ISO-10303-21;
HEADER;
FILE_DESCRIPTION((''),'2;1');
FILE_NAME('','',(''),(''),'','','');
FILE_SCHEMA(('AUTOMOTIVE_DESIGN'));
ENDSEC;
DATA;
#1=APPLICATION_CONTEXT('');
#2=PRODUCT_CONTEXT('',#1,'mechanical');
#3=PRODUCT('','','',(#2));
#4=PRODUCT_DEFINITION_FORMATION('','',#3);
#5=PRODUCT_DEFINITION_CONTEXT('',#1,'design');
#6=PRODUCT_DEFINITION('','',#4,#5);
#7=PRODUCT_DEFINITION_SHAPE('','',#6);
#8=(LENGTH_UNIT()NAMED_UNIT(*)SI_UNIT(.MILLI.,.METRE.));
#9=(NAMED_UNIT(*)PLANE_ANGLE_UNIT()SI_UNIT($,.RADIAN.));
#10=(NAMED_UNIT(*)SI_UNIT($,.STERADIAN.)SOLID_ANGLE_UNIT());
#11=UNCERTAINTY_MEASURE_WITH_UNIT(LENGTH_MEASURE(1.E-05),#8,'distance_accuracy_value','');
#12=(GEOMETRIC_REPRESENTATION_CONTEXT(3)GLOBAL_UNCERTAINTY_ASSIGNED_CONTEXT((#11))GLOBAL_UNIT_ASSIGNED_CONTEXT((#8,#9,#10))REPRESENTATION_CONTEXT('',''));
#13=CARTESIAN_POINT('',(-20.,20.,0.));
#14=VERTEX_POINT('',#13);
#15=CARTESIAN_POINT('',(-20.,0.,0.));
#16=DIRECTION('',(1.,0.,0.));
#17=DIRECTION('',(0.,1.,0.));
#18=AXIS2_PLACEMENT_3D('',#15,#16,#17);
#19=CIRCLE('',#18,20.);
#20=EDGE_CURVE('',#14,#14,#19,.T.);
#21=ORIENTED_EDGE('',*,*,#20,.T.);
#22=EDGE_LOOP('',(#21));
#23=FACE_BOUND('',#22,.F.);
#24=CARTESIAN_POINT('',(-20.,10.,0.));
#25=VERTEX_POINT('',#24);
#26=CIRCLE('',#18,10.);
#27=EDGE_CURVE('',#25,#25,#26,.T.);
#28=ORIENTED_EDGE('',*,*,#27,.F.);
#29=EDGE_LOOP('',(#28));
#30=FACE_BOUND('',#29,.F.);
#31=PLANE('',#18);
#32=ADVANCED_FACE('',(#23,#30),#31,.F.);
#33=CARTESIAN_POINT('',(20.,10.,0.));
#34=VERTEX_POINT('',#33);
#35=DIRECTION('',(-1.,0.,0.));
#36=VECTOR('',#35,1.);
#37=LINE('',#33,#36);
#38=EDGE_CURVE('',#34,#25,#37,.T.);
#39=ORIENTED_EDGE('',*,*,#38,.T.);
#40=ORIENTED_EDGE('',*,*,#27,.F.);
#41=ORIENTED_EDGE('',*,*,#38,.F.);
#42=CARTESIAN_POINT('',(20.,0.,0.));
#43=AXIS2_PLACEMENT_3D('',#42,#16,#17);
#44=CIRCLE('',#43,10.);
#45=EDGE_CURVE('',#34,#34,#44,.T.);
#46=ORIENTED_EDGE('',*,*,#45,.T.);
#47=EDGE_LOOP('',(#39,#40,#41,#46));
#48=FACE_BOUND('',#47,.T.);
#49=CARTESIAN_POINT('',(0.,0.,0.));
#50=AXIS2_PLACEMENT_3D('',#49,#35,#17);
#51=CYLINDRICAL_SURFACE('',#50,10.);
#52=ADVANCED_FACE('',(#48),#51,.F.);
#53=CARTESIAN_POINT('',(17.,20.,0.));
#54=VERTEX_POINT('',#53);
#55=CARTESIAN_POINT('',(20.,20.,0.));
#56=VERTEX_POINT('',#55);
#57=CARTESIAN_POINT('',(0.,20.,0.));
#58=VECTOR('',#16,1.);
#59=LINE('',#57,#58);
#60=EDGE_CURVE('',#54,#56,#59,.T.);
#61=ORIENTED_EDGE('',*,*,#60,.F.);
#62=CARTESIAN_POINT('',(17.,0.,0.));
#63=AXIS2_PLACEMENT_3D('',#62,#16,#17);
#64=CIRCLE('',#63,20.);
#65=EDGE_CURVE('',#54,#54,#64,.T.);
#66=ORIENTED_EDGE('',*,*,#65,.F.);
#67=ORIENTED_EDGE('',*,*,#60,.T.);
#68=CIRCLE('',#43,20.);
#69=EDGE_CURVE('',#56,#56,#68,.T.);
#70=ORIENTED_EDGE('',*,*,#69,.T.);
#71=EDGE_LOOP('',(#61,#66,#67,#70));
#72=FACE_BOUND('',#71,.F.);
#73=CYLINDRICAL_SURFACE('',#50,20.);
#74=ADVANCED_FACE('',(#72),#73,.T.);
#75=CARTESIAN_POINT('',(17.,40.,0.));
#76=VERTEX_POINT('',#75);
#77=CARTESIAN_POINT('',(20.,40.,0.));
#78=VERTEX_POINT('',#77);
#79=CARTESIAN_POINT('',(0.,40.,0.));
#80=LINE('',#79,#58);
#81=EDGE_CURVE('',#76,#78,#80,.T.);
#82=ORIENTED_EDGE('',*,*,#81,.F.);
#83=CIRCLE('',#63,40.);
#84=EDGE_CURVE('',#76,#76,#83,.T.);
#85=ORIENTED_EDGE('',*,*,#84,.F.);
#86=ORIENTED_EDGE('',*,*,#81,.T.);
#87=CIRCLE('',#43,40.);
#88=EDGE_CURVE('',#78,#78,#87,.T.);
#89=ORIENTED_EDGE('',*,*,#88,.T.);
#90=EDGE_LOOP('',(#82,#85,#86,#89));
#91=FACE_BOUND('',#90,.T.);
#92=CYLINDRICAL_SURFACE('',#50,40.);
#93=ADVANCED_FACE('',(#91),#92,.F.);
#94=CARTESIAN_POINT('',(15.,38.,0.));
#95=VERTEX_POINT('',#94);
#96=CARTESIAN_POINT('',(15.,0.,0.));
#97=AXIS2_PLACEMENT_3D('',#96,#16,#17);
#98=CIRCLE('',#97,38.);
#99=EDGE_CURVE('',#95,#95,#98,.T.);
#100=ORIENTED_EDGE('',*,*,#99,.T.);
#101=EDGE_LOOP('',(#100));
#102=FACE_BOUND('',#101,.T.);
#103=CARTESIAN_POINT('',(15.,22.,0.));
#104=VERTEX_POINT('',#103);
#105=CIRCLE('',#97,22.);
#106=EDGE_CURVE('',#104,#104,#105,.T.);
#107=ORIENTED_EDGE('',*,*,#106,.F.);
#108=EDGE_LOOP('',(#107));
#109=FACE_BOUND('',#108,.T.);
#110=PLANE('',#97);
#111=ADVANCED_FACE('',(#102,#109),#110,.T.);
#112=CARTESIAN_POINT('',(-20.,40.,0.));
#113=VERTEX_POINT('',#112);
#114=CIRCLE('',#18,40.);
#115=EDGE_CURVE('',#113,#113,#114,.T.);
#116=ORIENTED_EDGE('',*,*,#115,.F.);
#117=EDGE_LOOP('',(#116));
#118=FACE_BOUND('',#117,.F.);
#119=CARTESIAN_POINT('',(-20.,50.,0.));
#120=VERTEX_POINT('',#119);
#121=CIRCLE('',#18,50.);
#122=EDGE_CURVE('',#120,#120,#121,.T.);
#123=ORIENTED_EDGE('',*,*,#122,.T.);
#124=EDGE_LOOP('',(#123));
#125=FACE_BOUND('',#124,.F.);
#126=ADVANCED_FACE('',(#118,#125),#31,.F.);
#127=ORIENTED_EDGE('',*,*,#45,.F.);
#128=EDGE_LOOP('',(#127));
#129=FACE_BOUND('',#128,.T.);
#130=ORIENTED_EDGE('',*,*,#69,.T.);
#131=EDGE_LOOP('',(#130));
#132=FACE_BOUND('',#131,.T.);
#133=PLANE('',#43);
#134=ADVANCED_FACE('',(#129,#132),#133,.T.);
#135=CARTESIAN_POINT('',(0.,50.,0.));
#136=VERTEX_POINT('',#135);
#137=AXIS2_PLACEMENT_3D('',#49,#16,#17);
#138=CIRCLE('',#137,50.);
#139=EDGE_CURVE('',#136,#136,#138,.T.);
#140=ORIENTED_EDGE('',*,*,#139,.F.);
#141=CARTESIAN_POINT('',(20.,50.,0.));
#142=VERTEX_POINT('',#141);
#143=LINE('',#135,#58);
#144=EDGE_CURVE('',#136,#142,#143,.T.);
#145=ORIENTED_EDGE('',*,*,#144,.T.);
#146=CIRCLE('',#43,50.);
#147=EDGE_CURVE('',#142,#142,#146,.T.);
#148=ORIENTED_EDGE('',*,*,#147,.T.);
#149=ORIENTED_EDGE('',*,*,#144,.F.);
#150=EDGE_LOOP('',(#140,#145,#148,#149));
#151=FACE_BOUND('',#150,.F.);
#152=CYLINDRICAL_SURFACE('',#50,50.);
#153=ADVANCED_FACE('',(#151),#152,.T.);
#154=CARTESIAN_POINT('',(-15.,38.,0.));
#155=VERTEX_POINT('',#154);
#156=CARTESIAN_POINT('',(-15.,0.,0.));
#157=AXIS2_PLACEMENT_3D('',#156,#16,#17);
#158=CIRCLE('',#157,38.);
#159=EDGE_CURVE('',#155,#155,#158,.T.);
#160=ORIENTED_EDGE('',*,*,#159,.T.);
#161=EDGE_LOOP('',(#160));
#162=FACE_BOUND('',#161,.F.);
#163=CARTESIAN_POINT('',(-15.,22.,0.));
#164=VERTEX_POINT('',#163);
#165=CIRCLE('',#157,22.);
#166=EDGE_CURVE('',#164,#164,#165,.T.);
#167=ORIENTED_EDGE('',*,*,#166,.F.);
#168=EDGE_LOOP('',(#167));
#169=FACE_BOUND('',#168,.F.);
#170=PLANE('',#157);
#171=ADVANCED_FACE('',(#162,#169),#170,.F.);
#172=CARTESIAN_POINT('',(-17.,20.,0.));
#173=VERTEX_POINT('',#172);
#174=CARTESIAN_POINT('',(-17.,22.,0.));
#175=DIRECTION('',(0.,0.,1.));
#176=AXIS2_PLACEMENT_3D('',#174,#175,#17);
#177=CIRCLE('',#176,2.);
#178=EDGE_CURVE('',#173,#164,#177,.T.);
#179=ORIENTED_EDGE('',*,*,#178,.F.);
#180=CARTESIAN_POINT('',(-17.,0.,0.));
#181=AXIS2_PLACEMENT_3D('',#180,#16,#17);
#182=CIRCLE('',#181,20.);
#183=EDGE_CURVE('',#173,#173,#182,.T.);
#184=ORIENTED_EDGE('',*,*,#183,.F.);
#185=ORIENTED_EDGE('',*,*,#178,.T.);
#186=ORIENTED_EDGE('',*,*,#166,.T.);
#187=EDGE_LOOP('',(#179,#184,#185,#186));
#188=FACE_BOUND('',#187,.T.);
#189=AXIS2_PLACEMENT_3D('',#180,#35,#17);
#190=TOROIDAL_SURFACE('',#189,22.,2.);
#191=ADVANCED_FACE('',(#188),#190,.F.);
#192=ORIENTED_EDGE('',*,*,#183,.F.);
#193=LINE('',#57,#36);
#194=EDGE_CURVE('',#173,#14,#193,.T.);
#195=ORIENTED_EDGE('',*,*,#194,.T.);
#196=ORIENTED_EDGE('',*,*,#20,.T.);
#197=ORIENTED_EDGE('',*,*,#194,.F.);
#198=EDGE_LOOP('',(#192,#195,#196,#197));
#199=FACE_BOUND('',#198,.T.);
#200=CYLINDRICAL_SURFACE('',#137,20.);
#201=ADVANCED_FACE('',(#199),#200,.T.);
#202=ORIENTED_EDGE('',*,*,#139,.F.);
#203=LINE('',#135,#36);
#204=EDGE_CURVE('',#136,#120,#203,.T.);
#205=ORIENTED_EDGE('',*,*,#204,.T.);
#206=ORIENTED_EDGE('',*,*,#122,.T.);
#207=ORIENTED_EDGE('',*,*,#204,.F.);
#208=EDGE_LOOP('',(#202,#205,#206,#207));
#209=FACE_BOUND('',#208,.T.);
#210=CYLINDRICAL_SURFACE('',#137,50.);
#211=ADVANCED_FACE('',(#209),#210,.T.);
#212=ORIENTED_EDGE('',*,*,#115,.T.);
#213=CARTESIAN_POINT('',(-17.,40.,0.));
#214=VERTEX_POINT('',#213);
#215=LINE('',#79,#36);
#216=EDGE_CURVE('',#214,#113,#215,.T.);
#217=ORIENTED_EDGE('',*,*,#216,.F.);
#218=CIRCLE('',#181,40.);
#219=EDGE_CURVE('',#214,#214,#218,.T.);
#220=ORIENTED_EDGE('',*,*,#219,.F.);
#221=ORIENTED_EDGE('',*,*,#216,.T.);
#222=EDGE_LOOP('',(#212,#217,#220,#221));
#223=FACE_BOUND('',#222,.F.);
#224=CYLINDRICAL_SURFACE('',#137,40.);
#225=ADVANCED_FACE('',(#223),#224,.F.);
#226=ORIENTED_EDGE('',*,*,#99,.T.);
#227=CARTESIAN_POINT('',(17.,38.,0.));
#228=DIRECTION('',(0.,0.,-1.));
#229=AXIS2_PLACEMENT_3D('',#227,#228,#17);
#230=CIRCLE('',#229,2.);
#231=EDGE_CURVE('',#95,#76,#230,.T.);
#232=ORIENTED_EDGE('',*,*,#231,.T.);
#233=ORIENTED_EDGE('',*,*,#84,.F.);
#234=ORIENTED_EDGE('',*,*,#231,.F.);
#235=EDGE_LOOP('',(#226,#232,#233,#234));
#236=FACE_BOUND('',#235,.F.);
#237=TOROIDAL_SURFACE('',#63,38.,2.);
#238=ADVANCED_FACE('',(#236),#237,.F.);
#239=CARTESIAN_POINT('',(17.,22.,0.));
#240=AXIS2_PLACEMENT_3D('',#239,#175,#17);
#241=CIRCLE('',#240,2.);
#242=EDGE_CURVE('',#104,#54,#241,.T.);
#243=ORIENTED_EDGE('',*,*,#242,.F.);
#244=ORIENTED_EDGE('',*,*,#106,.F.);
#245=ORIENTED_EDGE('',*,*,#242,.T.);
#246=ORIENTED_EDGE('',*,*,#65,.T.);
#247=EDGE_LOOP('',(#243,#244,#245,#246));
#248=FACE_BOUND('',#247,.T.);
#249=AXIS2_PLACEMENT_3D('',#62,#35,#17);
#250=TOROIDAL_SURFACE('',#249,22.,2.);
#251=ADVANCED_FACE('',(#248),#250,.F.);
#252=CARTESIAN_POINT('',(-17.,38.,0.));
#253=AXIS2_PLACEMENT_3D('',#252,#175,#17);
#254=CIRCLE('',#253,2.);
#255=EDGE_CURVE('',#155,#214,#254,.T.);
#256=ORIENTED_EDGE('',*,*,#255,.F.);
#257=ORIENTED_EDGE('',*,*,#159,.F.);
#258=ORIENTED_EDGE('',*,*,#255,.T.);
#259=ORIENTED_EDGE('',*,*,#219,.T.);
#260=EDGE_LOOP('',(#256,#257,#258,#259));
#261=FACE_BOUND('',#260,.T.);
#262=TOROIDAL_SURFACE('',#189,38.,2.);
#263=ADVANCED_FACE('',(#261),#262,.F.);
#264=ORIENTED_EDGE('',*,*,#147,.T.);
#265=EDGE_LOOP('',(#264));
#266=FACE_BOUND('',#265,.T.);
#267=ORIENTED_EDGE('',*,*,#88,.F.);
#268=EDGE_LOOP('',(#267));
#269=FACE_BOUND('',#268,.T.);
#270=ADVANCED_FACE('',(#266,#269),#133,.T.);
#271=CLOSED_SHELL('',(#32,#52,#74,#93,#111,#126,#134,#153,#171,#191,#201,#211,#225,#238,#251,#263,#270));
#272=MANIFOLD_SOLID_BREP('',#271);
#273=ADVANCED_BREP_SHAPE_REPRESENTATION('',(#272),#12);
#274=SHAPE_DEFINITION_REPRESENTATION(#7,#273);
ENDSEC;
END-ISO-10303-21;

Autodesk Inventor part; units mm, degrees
ref_plane "YZ Plane" through (0, 0, 0) normal (1, 0, 0) x (0, 1, 0)
ref_plane "XZ Plane" through (0, 0, 0) normal (0, 1, 0) x (-1, 0, 0)
ref_plane "XY Plane" through (0, 0, 0) normal (0, 0, 1) x (1, 0, 0)
sketch "Sketch1" plane through (0, 0, 0) normal (1, 0, 0) x (0, 1, 0)
  circle A0 centre (0, 0) radius 10
  circle A1 centre (0, 0) radius 20
  circle A2 centre (0, 0) radius 40
  circle A3 centre (0, 0) radius 50
  dimension "d0" = 20
  dimension "d1" = 40
  dimension "d2" = 80
  dimension "d3" = 100
extrude "Extrusion1" add sketch "Sketch1" along normal mid plane 40
extrude "Extrusion2" add sketch "Sketch1" along normal mid plane 30 contours A2
fillet "Fillet1" radius 2 1 edges at (15, -40, 0)
fillet "Fillet2" radius 2 1 edges at (15, -20, 0)
fillet "Fillet3" radius 2 1 edges at (-15, -20, 0)
fillet "Fillet4" radius 2 1 edges at (-15, -40, 0)
properties part number "Part1dia14demaio"
